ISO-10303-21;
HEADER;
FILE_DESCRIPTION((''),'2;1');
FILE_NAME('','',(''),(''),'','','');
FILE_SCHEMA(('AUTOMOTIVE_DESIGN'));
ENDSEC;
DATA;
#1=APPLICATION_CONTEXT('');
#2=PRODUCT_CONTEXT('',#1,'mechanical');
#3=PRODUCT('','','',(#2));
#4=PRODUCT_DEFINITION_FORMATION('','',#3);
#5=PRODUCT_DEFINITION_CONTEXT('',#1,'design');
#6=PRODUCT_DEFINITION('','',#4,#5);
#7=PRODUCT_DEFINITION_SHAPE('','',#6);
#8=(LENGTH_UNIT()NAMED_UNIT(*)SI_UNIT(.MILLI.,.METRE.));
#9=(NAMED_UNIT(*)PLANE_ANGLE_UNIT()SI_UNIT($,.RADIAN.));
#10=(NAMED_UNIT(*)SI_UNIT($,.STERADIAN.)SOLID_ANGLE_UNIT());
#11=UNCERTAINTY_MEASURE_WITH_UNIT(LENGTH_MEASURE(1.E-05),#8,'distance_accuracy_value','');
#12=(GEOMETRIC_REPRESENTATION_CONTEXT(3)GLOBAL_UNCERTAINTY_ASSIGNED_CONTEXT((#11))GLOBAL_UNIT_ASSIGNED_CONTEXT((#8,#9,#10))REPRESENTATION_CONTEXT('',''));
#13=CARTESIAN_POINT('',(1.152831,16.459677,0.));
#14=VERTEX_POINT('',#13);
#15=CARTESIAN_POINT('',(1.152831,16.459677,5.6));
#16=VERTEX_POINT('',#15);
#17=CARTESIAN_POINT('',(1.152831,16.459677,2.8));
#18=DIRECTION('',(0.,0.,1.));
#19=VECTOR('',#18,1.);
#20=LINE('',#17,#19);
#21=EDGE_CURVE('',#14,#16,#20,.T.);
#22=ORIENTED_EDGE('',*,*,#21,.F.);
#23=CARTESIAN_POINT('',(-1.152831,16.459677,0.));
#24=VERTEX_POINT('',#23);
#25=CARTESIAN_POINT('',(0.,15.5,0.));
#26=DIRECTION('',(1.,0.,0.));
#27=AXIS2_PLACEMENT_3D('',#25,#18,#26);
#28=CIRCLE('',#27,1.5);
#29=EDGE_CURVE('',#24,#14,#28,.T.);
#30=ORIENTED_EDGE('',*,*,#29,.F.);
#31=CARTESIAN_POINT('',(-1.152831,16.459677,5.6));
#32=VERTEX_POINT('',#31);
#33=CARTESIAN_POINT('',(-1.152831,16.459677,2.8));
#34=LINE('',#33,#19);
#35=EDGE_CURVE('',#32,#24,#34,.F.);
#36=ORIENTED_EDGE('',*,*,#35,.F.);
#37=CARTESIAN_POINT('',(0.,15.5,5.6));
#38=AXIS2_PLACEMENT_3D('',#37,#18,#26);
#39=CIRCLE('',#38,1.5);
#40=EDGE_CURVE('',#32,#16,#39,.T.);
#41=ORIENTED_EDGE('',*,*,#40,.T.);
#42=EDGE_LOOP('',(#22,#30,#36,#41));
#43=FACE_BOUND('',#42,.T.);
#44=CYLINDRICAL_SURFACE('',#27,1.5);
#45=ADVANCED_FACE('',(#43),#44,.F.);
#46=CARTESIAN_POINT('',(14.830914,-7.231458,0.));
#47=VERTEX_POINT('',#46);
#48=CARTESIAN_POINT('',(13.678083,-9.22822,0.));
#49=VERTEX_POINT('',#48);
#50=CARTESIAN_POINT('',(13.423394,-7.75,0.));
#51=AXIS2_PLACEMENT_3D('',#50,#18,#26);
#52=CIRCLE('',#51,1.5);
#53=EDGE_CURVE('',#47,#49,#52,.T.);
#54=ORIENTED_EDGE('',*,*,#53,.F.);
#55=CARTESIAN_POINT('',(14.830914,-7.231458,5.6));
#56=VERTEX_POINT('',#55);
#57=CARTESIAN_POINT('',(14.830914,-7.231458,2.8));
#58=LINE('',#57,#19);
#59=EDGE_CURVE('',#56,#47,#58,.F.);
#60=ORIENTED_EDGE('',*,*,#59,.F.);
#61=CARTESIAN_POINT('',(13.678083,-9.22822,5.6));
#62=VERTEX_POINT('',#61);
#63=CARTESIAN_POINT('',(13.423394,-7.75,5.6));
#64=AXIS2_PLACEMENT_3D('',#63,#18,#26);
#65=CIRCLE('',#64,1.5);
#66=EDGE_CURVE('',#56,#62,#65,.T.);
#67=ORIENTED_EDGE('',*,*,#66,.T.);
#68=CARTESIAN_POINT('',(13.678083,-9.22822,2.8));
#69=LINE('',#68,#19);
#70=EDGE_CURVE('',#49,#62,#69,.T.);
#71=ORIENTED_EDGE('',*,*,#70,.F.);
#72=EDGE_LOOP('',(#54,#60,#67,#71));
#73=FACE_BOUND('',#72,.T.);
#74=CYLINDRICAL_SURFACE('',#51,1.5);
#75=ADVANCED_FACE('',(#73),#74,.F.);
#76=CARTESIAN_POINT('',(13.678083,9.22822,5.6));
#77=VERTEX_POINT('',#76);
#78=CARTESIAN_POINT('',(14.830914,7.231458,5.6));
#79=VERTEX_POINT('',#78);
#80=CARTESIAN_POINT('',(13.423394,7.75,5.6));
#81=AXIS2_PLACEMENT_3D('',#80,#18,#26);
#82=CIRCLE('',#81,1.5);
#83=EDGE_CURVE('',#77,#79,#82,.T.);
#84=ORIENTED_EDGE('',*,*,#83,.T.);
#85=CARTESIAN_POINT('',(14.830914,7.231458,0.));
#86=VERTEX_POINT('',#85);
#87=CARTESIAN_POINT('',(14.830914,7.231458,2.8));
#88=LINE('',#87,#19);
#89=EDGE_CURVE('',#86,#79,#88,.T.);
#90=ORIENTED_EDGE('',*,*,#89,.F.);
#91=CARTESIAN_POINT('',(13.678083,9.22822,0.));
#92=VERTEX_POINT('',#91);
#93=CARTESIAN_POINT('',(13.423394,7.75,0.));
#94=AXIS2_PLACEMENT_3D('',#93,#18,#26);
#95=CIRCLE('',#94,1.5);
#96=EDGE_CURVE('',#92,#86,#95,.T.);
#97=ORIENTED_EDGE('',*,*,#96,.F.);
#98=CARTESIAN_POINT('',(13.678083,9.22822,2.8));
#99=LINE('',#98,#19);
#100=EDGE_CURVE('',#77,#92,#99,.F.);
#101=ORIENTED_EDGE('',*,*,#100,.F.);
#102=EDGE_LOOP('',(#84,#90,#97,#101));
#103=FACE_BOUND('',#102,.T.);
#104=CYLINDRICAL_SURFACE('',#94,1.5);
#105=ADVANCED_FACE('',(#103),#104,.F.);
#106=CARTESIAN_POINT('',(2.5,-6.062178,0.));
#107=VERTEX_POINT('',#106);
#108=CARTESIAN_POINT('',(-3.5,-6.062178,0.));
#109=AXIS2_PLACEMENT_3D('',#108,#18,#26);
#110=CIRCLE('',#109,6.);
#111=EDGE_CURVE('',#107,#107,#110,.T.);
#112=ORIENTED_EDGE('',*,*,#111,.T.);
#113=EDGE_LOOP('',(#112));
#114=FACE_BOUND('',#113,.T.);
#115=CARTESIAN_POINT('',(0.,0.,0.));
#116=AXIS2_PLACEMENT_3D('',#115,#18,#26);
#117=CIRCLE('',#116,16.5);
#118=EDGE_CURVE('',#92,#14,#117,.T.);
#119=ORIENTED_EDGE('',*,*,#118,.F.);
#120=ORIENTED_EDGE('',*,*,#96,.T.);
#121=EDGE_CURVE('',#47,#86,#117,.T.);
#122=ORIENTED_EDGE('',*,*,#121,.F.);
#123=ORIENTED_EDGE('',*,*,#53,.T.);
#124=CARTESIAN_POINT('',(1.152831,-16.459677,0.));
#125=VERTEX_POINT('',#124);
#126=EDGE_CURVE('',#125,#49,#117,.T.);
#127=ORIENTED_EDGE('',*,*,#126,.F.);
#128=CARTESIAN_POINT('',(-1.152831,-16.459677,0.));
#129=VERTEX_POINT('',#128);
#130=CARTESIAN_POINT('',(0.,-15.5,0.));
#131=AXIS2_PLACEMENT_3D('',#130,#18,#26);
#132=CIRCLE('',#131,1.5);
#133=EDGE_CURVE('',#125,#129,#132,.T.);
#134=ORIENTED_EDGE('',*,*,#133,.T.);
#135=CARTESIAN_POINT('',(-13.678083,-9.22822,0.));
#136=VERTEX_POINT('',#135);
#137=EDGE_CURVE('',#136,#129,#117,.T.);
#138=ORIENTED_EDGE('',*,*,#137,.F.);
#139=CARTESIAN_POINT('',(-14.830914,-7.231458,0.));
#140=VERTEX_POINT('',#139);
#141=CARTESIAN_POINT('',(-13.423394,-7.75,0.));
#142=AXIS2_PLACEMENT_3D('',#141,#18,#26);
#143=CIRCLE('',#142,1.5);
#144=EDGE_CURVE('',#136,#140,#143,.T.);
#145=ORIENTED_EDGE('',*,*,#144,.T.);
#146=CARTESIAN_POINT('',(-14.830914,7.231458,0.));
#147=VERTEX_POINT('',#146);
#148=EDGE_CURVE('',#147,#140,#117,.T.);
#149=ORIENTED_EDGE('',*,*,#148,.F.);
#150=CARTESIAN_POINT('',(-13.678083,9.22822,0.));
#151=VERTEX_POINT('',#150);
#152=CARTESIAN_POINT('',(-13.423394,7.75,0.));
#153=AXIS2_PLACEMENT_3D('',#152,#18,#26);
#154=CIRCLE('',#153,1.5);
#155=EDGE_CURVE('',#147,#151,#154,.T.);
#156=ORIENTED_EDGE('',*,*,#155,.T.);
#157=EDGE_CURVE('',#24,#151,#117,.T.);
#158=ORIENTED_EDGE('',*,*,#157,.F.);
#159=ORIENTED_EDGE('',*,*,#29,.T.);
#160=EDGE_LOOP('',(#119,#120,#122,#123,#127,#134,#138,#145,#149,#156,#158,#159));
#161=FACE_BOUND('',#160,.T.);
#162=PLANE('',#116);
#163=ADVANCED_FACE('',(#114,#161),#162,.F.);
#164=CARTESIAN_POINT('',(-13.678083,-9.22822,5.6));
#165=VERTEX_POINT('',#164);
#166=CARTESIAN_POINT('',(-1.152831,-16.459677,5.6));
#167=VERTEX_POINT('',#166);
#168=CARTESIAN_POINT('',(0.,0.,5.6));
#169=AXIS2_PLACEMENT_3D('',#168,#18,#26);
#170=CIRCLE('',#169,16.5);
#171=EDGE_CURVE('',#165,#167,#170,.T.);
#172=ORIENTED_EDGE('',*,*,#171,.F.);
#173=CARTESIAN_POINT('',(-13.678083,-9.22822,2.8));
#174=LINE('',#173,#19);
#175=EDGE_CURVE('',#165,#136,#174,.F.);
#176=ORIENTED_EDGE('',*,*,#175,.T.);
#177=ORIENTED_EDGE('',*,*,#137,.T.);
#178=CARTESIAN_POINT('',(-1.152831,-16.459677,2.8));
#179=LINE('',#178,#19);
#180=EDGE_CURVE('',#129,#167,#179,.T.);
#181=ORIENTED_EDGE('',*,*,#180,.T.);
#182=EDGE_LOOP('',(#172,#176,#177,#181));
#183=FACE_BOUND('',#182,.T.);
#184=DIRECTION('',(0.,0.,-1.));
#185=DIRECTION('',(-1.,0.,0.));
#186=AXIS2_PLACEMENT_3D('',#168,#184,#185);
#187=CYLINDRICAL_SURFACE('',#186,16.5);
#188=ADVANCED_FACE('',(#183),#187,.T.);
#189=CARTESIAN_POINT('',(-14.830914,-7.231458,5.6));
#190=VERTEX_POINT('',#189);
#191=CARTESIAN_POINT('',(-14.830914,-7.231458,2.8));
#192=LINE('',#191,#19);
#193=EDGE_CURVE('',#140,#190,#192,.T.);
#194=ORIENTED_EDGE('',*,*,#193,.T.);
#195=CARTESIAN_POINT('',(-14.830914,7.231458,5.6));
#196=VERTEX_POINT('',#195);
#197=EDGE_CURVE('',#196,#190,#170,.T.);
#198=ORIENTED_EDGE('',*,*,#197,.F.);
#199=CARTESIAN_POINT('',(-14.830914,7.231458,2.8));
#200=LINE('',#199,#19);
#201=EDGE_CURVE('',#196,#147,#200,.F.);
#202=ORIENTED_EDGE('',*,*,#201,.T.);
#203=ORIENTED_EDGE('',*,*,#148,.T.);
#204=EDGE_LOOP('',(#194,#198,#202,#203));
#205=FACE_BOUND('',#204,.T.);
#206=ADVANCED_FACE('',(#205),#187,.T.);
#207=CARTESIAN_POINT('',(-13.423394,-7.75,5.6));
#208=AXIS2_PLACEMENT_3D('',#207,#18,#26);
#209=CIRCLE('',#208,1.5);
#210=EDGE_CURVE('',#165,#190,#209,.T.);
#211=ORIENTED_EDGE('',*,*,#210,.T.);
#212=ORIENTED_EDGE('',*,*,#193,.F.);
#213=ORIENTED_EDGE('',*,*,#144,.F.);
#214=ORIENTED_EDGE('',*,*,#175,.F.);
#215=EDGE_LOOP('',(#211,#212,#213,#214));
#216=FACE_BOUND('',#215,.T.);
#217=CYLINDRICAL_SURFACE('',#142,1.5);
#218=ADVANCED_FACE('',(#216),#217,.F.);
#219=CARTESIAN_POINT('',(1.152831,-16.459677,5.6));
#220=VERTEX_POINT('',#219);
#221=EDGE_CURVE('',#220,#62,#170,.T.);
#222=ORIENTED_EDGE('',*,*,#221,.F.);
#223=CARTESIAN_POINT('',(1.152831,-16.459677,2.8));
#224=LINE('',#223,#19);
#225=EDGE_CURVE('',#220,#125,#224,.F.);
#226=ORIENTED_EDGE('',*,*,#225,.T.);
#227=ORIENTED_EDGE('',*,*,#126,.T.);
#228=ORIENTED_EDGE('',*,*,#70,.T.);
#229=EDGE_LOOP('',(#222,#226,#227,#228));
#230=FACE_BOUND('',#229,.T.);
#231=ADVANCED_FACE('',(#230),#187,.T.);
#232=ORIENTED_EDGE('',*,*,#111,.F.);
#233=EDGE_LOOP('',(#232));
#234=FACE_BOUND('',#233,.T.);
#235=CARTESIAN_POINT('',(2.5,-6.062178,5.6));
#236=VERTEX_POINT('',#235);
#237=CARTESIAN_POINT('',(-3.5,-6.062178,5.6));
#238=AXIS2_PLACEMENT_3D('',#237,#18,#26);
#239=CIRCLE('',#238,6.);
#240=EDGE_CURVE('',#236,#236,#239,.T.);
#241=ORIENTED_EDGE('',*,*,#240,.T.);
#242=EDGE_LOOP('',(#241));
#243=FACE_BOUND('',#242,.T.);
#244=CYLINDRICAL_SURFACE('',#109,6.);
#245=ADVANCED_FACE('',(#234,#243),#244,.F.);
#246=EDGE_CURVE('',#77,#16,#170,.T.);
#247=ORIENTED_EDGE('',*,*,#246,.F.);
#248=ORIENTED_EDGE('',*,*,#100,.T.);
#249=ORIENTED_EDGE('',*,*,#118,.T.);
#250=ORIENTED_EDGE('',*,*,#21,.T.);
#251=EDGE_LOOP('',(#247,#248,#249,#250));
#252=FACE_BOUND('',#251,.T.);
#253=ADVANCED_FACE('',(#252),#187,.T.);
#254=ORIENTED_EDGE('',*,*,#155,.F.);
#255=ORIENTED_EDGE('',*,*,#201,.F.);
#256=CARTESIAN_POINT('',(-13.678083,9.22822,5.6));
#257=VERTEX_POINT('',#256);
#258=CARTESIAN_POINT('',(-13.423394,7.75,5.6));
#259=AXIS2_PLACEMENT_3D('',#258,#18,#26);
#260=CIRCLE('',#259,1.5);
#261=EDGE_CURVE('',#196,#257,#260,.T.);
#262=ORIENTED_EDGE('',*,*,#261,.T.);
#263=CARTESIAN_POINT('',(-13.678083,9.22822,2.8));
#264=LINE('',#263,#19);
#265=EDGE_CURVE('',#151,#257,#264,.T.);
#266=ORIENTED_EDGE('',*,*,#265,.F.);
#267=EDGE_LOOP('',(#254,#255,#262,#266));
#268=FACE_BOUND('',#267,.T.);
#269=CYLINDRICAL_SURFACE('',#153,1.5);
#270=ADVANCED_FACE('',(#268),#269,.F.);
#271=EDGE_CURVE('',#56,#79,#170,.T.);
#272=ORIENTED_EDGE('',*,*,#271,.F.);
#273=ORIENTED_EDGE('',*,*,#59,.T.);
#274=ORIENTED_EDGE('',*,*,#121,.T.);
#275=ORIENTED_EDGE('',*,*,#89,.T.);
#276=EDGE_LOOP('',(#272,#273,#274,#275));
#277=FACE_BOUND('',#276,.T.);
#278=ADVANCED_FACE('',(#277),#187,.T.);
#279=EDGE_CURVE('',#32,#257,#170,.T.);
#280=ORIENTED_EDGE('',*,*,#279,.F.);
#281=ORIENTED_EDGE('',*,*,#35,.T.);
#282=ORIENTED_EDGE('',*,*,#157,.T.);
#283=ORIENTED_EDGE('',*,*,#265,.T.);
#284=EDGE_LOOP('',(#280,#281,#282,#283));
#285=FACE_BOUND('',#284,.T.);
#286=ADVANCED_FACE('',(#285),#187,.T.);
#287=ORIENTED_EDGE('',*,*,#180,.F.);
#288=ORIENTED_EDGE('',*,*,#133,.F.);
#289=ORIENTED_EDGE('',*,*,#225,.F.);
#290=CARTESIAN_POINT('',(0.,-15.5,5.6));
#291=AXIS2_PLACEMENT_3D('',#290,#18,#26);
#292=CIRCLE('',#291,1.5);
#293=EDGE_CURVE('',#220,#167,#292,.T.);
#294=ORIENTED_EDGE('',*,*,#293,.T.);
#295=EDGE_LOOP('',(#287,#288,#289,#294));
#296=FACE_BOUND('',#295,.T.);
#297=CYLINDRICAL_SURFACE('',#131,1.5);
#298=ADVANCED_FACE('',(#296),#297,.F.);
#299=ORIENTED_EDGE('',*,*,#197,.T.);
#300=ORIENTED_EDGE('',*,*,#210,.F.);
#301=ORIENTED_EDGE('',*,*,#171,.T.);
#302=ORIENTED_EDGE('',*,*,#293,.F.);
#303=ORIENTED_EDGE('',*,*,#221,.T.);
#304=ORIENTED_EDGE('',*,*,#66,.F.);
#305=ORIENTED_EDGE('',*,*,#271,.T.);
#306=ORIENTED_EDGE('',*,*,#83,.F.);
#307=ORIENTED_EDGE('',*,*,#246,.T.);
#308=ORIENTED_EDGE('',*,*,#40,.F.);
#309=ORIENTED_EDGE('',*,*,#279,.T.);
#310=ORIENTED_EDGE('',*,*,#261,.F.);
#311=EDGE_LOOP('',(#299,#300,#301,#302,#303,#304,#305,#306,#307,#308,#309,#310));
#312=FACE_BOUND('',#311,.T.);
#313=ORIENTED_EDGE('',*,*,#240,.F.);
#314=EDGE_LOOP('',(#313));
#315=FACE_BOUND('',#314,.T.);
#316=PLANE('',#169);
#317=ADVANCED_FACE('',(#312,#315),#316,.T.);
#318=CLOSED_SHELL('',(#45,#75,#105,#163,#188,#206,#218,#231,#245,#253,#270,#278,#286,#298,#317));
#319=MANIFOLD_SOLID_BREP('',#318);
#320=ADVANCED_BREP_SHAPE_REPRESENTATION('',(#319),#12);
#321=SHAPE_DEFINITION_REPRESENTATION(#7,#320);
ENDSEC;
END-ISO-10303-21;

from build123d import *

# Parameters (mm, degrees)
SKETCH1_R           = 16.5
BOSS_EXTRUDE1_DEPTH = 5.6
SKETCH2_R           = 1.5
CUT_EXTRUDE1_DEPTH  = 24.997083156
SKETCH3_R           = 6
CUT_EXTRUDE2_DEPTH  = 24.969375894


with BuildPart() as part:
    # Sketch1 → Boss-Extrude1 (new body)
    with BuildSketch(Plane.XY):
        Circle(SKETCH1_R)
    extrude(amount=BOSS_EXTRUDE1_DEPTH)

    # Sketch2 → Cut-Extrude1 (cut, through all)
    with BuildSketch(Plane.XY.offset(5.6)):
        with Locations((0, 15.5)):
            Circle(SKETCH2_R)
        with Locations((13.423393759, 7.75)):
            Circle(SKETCH2_R)
        with Locations((13.423393759, -7.75)):
            Circle(SKETCH2_R)
        with Locations((0, -15.5)):
            Circle(SKETCH2_R)
        with Locations((-13.423393759, -7.75)):
            Circle(SKETCH2_R)
        with Locations((-13.423393759, 7.75)):
            Circle(SKETCH2_R)
    extrude(amount=-CUT_EXTRUDE1_DEPTH, mode=Mode.SUBTRACT)

    # Sketch3 → Cut-Extrude2 (cut, through all)
    with BuildSketch(Plane.XY.offset(5.6)):
        with Locations((-3.5, -6.062177826)):
            Circle(SKETCH3_R)
    extrude(amount=-CUT_EXTRUDE2_DEPTH, mode=Mode.SUBTRACT)


solid = part.part
